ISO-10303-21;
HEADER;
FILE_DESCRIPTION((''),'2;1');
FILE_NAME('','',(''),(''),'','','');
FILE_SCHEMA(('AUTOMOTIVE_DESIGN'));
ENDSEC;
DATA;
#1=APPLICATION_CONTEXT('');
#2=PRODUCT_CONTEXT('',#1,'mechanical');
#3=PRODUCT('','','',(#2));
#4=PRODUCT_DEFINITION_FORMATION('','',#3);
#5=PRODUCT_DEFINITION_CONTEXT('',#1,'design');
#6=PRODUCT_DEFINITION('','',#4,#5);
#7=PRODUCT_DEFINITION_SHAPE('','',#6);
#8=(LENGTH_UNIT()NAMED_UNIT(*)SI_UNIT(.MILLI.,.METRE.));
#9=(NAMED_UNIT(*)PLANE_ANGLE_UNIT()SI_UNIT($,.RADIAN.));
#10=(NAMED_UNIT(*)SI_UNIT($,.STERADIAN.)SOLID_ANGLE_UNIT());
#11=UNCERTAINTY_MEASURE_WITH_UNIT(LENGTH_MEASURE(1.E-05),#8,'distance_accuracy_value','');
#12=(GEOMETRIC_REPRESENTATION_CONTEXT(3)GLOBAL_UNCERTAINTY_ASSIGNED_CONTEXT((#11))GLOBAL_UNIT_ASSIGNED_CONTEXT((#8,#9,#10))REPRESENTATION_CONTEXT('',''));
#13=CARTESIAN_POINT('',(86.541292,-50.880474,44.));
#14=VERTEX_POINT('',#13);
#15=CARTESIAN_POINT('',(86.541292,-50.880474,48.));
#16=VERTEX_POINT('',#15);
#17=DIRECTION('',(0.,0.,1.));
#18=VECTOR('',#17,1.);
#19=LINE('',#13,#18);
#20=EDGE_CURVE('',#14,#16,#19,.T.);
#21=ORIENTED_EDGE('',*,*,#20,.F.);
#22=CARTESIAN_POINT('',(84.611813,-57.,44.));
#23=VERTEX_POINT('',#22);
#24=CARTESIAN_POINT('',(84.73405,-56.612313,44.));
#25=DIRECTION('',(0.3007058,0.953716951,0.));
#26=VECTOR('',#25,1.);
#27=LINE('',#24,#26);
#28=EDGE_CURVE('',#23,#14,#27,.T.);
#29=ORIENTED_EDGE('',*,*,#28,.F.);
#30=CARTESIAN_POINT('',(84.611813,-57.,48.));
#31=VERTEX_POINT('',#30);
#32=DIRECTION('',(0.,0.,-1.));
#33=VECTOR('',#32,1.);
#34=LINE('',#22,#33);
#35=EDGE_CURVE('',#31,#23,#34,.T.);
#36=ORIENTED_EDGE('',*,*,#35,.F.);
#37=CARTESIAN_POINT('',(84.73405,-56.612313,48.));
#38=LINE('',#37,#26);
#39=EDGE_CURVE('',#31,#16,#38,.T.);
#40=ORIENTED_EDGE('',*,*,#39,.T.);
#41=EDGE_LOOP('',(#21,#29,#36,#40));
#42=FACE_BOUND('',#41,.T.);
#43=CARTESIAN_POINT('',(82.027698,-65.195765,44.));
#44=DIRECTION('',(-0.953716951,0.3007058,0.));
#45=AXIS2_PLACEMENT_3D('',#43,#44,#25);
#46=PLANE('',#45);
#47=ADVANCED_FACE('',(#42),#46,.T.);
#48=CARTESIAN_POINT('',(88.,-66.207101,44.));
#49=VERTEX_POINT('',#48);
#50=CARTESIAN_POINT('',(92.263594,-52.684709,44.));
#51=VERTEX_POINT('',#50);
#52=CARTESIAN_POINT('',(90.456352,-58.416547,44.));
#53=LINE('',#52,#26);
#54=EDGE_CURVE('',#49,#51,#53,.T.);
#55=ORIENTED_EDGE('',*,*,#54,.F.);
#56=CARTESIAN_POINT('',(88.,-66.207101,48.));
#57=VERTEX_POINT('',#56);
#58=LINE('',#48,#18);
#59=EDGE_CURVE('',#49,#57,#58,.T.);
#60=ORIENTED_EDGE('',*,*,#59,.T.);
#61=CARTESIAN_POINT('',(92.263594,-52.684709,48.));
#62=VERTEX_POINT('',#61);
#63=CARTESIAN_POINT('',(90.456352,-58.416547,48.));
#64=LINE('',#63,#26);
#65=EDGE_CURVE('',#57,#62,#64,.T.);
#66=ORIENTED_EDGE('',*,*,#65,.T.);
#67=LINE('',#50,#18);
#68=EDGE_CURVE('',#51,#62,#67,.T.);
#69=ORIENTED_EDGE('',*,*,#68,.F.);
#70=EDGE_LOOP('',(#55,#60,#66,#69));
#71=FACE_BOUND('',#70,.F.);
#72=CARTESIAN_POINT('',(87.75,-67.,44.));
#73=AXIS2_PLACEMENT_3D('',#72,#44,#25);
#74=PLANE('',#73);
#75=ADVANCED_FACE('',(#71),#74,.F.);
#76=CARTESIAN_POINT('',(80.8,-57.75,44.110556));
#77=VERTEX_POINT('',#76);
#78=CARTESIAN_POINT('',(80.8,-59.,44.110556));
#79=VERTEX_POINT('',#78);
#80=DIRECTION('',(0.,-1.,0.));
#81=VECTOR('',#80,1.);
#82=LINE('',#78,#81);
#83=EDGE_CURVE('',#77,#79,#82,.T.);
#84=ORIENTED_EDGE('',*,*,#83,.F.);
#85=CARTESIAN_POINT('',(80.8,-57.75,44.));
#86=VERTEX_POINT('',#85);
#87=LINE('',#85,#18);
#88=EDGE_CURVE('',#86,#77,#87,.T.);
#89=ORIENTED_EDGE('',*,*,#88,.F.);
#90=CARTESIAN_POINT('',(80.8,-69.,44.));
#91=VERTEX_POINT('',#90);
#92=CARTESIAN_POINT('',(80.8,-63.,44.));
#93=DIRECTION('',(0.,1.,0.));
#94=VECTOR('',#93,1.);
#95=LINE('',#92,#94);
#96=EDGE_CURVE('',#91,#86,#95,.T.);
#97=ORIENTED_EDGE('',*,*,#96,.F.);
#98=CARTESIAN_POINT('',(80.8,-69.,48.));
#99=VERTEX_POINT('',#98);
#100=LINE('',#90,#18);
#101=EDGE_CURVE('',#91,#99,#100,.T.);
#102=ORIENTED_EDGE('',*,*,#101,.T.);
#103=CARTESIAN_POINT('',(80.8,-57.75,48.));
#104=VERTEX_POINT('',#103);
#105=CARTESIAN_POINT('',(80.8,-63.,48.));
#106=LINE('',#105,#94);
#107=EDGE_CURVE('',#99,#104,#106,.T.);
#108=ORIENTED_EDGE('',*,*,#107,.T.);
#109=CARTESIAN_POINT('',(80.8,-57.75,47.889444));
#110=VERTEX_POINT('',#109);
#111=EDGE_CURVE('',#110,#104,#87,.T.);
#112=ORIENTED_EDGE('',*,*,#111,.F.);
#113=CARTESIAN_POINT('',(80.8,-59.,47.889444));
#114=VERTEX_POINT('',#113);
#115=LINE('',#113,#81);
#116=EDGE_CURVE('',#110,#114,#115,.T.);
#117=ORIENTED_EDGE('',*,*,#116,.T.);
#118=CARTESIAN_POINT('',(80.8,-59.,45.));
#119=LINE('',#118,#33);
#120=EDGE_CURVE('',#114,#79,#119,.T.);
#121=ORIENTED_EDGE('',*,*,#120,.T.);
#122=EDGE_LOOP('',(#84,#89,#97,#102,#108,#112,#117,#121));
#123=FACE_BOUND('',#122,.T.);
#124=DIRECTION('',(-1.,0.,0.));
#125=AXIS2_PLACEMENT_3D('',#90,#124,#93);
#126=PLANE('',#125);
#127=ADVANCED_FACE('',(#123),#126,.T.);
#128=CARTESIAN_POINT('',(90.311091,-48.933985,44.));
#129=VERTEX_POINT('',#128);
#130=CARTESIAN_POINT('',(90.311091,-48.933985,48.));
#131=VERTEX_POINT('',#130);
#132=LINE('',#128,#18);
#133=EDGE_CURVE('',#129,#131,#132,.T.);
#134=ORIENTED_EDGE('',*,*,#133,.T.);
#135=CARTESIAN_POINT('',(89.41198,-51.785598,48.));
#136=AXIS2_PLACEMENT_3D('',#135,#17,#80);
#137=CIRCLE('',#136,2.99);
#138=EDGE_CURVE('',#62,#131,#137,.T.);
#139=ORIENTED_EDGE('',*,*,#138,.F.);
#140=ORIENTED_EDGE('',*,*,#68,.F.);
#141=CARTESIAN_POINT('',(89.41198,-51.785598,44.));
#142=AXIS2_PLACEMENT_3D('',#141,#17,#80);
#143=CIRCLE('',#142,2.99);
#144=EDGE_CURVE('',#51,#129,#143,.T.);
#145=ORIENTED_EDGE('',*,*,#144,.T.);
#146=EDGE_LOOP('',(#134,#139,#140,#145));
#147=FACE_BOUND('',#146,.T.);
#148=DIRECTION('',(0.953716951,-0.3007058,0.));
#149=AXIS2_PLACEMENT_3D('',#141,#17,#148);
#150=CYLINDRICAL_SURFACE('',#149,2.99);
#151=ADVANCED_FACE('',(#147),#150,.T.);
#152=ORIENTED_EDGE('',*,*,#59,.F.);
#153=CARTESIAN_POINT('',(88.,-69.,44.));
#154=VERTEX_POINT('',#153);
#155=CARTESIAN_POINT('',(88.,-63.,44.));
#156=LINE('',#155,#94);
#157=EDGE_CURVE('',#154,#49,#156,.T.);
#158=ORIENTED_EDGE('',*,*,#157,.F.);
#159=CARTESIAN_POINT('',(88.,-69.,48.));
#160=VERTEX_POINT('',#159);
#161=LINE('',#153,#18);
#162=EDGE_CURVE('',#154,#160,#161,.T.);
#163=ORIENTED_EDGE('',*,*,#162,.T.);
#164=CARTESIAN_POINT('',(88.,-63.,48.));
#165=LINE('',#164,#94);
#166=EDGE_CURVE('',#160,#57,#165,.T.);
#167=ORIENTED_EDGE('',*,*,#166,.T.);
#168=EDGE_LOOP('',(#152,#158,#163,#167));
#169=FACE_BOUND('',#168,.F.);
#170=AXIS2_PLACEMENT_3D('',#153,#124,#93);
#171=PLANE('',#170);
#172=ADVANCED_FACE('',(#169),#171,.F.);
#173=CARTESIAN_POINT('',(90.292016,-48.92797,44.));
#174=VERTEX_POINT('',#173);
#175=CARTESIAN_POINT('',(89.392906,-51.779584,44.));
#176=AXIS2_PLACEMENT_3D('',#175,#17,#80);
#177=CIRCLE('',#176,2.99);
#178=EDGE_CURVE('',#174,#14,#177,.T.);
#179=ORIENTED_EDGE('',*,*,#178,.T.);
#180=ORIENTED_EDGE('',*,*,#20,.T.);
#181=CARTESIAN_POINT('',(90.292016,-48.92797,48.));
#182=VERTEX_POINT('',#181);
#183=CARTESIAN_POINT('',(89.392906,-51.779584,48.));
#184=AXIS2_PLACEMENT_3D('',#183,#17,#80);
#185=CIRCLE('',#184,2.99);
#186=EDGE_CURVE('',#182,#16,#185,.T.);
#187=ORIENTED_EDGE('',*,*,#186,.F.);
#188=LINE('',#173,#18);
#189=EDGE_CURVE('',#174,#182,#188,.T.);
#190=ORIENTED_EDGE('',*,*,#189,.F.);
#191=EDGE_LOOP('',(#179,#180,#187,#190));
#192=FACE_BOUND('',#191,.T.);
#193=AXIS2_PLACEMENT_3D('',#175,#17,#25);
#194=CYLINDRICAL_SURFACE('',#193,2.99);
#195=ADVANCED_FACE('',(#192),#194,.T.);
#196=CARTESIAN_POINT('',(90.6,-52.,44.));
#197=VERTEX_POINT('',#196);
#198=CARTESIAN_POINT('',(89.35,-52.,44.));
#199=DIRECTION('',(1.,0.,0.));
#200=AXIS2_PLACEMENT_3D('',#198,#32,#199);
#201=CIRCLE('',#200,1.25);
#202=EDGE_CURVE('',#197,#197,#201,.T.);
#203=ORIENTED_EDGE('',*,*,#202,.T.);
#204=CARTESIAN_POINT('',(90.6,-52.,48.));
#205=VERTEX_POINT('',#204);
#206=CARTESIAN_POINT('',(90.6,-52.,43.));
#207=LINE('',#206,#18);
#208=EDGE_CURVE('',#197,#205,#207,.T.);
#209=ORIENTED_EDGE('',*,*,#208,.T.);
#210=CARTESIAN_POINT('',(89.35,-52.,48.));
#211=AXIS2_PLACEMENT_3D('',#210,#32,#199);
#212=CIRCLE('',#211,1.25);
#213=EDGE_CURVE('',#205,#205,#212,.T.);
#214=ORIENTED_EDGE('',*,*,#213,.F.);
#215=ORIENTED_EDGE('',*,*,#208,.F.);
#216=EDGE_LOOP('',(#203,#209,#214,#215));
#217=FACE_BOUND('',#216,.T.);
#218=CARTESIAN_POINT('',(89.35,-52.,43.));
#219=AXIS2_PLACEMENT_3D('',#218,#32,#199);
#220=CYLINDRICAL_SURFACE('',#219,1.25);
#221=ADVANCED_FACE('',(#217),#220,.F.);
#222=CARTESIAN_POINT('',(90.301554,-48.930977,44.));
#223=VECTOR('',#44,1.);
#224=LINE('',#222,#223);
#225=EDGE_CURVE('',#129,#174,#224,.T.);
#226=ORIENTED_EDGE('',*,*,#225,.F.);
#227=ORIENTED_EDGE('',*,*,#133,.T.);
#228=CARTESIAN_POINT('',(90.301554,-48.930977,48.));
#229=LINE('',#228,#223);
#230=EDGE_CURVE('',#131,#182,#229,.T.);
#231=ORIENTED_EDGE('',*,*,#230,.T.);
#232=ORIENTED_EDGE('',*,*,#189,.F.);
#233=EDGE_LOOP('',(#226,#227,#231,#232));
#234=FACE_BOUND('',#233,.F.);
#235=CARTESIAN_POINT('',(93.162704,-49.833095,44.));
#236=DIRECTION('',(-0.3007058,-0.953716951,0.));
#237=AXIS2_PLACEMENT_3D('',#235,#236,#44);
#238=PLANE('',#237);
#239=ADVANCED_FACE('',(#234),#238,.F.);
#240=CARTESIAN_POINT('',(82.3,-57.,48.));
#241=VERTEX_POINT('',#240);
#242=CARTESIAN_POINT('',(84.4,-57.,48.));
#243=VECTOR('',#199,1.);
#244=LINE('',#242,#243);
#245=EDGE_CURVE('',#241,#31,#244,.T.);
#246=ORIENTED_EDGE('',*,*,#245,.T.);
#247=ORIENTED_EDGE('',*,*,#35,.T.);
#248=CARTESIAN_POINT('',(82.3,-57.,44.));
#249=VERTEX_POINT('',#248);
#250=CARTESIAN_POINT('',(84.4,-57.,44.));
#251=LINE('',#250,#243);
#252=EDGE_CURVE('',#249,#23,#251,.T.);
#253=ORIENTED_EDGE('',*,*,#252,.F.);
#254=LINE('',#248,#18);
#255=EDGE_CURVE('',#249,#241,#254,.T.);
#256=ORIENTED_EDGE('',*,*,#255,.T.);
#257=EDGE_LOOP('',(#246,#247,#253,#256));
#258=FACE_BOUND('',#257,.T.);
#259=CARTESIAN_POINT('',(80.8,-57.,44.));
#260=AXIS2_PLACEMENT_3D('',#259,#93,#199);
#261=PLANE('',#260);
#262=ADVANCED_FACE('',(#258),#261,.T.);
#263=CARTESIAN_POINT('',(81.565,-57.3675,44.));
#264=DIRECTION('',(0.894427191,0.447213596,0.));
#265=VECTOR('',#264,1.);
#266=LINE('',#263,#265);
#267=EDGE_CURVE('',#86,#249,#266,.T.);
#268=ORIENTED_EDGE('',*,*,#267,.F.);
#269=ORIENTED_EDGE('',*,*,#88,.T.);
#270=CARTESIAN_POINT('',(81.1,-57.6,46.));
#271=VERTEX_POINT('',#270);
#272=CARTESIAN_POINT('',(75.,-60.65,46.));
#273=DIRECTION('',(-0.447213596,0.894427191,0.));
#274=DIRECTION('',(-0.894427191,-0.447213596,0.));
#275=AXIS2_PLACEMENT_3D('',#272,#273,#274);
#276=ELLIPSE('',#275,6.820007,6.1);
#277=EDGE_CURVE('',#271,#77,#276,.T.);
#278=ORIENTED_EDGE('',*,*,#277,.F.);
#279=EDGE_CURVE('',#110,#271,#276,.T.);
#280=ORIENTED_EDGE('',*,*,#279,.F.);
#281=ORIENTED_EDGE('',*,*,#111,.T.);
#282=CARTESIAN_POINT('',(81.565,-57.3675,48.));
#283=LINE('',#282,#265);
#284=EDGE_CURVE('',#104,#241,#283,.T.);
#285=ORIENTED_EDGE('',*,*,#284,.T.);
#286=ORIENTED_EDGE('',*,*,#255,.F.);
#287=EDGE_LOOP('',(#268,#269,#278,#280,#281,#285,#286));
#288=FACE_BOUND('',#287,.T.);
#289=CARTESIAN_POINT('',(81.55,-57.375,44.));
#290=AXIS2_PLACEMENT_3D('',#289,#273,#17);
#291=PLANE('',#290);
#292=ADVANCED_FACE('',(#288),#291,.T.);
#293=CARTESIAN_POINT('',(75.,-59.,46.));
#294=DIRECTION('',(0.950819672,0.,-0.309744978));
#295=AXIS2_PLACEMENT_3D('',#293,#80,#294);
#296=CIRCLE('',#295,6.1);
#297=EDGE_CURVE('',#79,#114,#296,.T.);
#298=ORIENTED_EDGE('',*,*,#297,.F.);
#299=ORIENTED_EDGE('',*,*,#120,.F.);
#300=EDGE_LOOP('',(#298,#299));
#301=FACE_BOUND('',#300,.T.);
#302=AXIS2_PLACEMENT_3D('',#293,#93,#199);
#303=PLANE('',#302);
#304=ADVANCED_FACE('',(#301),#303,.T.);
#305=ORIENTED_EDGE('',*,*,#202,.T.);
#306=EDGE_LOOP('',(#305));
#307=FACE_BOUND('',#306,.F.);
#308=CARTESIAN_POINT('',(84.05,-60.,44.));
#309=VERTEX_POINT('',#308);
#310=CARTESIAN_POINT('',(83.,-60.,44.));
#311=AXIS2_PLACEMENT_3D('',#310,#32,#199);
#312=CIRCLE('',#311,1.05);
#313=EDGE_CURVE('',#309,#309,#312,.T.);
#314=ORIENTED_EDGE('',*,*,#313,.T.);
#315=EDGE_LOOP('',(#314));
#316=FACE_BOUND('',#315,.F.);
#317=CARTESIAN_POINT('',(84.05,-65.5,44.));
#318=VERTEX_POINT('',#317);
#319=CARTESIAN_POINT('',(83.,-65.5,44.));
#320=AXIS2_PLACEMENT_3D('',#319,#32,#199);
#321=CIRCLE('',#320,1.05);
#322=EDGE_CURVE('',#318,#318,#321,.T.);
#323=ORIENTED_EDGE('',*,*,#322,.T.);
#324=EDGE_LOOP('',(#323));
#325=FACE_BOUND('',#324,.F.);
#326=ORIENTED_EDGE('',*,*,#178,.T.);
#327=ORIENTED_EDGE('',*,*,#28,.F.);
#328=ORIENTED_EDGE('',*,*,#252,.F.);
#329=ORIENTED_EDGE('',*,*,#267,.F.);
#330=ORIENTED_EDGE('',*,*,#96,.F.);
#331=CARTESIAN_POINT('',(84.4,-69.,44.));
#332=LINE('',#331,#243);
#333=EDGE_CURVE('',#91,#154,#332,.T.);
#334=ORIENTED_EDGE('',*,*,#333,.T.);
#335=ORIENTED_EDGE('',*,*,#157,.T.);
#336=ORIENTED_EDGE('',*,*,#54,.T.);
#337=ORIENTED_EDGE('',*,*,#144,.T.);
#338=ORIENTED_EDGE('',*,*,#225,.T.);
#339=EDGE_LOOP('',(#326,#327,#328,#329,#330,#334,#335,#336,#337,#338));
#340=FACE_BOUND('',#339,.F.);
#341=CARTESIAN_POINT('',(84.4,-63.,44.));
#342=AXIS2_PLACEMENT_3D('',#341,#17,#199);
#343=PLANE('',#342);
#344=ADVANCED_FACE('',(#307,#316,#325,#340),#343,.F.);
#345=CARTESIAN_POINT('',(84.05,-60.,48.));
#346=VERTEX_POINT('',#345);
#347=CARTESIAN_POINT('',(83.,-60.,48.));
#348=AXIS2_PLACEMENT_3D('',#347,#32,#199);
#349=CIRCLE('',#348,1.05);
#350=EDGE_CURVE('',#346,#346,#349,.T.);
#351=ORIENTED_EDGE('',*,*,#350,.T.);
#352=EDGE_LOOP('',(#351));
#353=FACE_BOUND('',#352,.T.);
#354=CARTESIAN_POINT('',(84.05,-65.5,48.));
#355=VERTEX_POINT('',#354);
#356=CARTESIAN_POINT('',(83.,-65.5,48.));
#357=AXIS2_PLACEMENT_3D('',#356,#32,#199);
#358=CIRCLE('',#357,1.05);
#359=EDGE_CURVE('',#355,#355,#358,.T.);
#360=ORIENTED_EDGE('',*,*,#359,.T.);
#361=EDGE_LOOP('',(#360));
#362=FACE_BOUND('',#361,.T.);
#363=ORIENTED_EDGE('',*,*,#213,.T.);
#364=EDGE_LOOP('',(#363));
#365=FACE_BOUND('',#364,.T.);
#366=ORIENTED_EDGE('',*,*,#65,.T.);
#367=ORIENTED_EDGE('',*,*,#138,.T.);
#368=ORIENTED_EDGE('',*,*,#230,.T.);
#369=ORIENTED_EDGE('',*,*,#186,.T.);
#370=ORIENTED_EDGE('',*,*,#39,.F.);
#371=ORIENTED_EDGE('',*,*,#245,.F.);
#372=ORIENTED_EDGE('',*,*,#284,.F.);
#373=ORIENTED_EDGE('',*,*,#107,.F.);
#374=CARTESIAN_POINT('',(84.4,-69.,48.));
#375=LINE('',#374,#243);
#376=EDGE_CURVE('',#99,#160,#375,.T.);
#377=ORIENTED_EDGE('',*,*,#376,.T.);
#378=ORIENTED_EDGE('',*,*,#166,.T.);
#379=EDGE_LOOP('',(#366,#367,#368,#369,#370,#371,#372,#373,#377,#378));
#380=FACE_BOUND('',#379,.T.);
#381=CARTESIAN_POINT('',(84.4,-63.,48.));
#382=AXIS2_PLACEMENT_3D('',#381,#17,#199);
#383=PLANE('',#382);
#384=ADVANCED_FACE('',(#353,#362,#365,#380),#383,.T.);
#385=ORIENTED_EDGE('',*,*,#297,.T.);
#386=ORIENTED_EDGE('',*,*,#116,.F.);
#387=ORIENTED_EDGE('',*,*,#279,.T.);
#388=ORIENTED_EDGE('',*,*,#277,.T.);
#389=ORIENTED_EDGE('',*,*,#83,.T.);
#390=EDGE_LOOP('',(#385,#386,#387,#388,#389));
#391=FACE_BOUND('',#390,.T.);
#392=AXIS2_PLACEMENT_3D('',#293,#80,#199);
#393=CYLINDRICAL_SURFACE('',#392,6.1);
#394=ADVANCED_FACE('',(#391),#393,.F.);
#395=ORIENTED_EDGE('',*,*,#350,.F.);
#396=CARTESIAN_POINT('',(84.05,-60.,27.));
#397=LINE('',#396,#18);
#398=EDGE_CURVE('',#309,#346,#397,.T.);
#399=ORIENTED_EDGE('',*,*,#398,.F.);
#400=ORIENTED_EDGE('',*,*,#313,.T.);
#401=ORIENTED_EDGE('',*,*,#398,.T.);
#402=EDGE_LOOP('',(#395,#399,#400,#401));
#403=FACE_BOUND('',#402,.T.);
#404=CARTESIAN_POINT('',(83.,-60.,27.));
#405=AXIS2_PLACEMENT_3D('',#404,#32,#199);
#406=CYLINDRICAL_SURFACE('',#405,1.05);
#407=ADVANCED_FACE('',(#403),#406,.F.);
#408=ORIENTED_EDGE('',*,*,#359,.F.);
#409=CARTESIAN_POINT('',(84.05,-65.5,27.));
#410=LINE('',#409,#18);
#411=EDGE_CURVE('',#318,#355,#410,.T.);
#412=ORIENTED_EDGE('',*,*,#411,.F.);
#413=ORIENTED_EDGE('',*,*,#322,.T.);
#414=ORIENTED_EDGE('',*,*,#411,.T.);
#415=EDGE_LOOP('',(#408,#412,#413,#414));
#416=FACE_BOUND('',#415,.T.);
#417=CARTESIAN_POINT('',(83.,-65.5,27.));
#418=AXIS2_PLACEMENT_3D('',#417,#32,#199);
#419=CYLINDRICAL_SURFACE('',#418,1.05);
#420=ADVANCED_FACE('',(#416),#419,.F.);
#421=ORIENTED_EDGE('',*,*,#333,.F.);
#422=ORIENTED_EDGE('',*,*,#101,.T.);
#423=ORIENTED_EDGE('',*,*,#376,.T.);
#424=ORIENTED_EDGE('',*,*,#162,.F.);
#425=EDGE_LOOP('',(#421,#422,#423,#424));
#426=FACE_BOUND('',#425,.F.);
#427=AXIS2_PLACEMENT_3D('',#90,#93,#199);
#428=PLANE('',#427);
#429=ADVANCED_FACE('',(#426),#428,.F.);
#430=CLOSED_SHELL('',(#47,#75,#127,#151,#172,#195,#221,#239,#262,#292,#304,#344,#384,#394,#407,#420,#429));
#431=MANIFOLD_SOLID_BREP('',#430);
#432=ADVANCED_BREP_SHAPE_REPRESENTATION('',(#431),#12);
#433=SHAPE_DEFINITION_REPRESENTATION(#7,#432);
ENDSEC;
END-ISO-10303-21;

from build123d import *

# Parameters (mm, degrees)
CYLINDER749_R          = 1.25
CYLINDER749_DEPTH      = 6
CYLINDER792_R          = 6.1
CYLINDER792_DEPTH      = 8
CYLINDER789_R          = 1.05
CYLINDER789_DEPTH      = 37
CYLINDER790_R          = 1.05
CYLINDER790_DEPTH      = 37
CYLINDER791_R          = 1.05
CYLINDER791_DEPTH      = 37
CYLINDER788_R          = 1.05
CYLINDER788_DEPTH      = 37
BOX289_W               = 7.2
BOX289_H               = 12
BOX289_DEPTH           = 4
BOX284_W               = 18
BOX284_H               = 6
BOX284_DEPTH           = 4
BOX284_PLACEMENT_ANGLE = 72.5
FILLET125007020021_R   = 2.99
CHAMFER228022_SIZE2    = 1.5
CHAMFER228022_SIZE     = 0.75


with BuildPart() as cylinder749:
    # Cylinder749 → Cylinder749 (new body)
    with BuildSketch(Plane(origin=(14.35, 41, -3), x_dir=(1, 0, 0), z_dir=(0, 0, 1))):
        Circle(CYLINDER749_R)
    extrude(amount=CYLINDER749_DEPTH)


with BuildPart() as cylinder792:
    # Cylinder792 → Cylinder792 (new body)
    with BuildSketch(Plane(origin=(0, 34, 0), x_dir=(1, 0, 0), z_dir=(0, 1, 0))):
        Circle(CYLINDER792_R)
    extrude(amount=CYLINDER792_DEPTH)


with BuildPart() as cylinder789:
    # Cylinder789 → Cylinder789 (new body)
    with BuildSketch(Plane(origin=(8, 33, -19), x_dir=(1, 0, 0), z_dir=(0, 0, 1))):
        Circle(CYLINDER789_R)
    extrude(amount=CYLINDER789_DEPTH)


with BuildPart() as cylinder790:
    # Cylinder790 → Cylinder790 (new body)
    with BuildSketch(Plane(origin=(-8, 33, -19), x_dir=(1, 0, 0), z_dir=(0, 0, 1))):
        Circle(CYLINDER790_R)
    extrude(amount=CYLINDER790_DEPTH)


with BuildPart() as cylinder791:
    # Cylinder791 → Cylinder791 (new body)
    with BuildSketch(Plane(origin=(8, 27.5, -19), x_dir=(1, 0, 0), z_dir=(0, 0, 1))):
        Circle(CYLINDER791_R)
    extrude(amount=CYLINDER791_DEPTH)


with BuildPart() as fusion088026007031024007008004081011:
    # Cylinder788 → Cylinder788 (new body)
    with BuildSketch(Plane(origin=(-8, 27.5, -19), x_dir=(1, 0, 0), z_dir=(0, 0, 1))):
        Circle(CYLINDER788_R)
    extrude(amount=CYLINDER788_DEPTH)

    # Fusion088026007031024007008004081011: union Cylinder789, Cylinder790, Cylinder791
    add(cylinder789.part)
    add(cylinder790.part)
    add(cylinder791.part)


with BuildPart() as cube288:
    # Box289 → Box289 (new body)
    with BuildSketch(Plane(origin=(5.8, 24, -2), x_dir=(1, 0, 0), z_dir=(0, 0, 1))):
        with Locations((3.6, 6)):
            Rectangle(BOX289_W, BOX289_H)
    extrude(amount=BOX289_DEPTH)


with BuildPart() as cut176013009033007019019008010045:
    # Box284 → Box284 (new body)
    with BuildSketch(Plane.XY):
        with Locations((9, 3)):
            Rectangle(BOX284_W, BOX284_H)
    extrude(amount=BOX284_DEPTH)


with BuildPart() as cut176013009033007019019008010045_1:
    # Box284 placement: moved
    add(cut176013009033007019019008010045.part.moved(Location((12.75, 26, -2))).rotate(Axis((12.75, 26, -2), (0, 0, 1)), BOX284_PLACEMENT_ANGLE))

    # Fillet125007020021
    fillet125007020021_edges = [cut176013009033007019019008010045_1.edges().sort_by_distance(p)[0] for p in [
        (18.162704, 43.166905, 0),
        (12.440403, 44.97114, 0),
    ]]
    fillet(fillet125007020021_edges, radius=FILLET125007020021_R)

    # Fusion088026007031024007008004081010: union Cube288
    add(cube288.part)

    # Cut176013009033007019019008010043: cut Fusion088026007031024007008004081011
    add(fusion088026007031024007008004081011.part, mode=Mode.SUBTRACT)

    # Chamfer228022
    chamfer228022_edges = [cut176013009033007019019008010045_1.edges().sort_by_distance(p)[0] for p in [
        (5.8, 36, 0),
    ]]
    chamfer228022_side = cut176013009033007019019008010045_1.faces().sort_by_distance((5.8, 30, 0))[0]
    chamfer(chamfer228022_edges, length=CHAMFER228022_SIZE, length2=CHAMFER228022_SIZE2, reference=chamfer228022_side)

    # Cut176013009033007019019008010044: cut Cylinder792
    add(cylinder792.part, mode=Mode.SUBTRACT)

    # Cut176013009033007019019008010045: cut Cylinder749
    add(cylinder749.part, mode=Mode.SUBTRACT)


with BuildPart() as cut176013009033007019019008010045_2:
    # Cut176013009033007019019008010045 placement: moved
    add(cut176013009033007019019008010045_1.part.moved(Location((75, -93, 46))))


solid = cut176013009033007019019008010045_2.part
